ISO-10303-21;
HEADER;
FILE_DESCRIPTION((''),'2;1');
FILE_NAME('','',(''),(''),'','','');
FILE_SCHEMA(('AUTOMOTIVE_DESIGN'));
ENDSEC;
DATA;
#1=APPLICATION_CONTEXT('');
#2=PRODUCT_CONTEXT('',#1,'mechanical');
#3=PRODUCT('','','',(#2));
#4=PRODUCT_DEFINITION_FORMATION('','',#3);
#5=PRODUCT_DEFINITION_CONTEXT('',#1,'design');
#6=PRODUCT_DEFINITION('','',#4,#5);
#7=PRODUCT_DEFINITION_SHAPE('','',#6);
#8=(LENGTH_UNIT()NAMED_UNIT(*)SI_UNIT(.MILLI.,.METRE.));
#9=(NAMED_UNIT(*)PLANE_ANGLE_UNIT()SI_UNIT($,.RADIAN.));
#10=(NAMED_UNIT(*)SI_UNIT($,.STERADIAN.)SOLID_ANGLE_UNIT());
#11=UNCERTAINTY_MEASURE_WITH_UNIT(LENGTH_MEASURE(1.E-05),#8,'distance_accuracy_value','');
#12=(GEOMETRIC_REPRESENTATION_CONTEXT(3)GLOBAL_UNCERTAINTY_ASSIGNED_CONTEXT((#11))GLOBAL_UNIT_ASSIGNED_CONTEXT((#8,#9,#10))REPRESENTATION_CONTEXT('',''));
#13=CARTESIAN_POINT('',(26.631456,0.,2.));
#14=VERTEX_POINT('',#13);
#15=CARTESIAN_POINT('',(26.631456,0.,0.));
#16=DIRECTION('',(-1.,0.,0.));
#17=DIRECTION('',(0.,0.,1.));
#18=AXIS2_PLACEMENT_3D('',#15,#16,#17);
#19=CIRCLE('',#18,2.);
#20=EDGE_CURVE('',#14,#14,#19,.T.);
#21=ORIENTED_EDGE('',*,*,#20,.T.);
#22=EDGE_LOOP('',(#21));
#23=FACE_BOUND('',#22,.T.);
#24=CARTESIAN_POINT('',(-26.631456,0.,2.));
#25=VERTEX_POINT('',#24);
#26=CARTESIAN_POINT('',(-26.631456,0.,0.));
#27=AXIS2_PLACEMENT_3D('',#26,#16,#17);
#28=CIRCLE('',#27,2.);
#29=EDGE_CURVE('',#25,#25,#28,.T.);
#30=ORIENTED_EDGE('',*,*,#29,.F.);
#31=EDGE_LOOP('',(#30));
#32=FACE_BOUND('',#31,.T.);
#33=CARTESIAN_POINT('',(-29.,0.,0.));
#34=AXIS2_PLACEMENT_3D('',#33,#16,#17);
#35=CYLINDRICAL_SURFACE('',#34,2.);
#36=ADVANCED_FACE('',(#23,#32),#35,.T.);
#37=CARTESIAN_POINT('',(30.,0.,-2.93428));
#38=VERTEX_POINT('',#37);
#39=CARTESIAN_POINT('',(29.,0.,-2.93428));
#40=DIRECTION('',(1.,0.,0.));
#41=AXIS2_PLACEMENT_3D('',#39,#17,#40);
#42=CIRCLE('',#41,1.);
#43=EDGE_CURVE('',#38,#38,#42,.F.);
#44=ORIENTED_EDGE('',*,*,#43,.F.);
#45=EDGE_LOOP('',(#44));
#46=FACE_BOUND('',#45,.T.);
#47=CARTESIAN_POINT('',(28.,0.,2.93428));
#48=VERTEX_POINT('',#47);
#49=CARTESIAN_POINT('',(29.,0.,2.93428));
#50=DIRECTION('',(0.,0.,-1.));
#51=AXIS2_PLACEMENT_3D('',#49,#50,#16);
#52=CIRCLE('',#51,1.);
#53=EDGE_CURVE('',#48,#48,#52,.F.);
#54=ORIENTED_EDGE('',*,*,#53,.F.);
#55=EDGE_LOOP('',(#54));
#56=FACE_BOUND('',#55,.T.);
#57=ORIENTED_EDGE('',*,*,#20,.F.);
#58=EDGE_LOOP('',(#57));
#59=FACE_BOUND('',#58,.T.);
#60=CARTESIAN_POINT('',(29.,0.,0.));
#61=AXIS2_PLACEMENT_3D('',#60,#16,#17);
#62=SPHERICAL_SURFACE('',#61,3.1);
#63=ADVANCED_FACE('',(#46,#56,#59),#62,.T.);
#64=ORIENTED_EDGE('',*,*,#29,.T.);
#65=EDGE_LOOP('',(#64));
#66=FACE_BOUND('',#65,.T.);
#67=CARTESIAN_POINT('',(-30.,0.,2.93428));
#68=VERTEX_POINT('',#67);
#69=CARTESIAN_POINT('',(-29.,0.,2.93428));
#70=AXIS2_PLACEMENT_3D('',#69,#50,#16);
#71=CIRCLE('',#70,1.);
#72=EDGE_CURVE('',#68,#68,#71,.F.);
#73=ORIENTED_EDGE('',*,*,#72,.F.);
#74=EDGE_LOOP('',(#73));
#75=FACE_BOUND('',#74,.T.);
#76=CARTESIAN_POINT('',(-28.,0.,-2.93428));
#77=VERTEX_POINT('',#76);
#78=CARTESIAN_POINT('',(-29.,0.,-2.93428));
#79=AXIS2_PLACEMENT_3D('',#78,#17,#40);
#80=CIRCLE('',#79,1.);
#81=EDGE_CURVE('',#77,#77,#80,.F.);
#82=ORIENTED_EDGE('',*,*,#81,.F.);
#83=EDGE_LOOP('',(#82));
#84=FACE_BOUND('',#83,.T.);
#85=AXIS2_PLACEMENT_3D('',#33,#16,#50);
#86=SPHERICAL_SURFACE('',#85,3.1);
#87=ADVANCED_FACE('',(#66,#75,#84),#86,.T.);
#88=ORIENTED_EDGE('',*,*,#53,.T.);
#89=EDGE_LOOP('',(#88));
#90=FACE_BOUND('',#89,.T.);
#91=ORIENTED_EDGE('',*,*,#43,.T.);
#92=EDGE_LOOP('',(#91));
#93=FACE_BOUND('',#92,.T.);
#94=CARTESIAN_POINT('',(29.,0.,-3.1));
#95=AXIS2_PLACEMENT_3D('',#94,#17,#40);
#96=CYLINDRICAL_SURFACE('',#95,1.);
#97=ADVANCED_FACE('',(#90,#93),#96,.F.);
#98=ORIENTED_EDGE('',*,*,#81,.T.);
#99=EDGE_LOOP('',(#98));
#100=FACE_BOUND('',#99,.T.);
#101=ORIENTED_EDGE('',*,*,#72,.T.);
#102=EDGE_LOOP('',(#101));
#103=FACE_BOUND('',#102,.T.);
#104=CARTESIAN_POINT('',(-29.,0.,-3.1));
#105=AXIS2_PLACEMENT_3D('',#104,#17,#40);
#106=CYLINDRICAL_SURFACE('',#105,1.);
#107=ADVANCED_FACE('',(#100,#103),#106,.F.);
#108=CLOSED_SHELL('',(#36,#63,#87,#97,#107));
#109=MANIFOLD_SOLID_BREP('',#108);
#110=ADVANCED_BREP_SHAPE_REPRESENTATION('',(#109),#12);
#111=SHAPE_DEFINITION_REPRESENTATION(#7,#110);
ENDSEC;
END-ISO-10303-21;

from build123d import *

# Parameters (mm, degrees)
SKETCH2_R               = 1
CUT_EXTRUDE1_DEPTH      = 4.1
CUT_EXTRUDE1_DEPTH_BACK = 4.1


with BuildPart() as part:
    # Sketch1 one side → Revolve2 (revolve)
    with BuildSketch(Plane(origin=(0, 0, 0), x_dir=(1, 0, 0), z_dir=(0, 1, 0))):
        with BuildLine():
            ThreePointArc((32.1, 0), (30.06478027, 2.911398801), (26.631456144, 2))
            Line((26.631456144, 2), (-26.631456144, 2))
            ThreePointArc((-26.631456144, 2), (-30.06478027, 2.911398801), (-32.1, 0))
            Line((-32.1, 0), (32.1, 0))
        make_face()
    revolve(axis=Axis((-29, 0, 0), (1, 0, 0)))

    # Sketch2 → Cut-Extrude1 (cut, two sides)
    with BuildSketch(Plane.XY) as cut_extrude1_sk:
        with Locations((29, 0)):
            Circle(SKETCH2_R)
        with Locations((-29, 0)):
            Circle(SKETCH2_R)
    extrude(amount=CUT_EXTRUDE1_DEPTH, mode=Mode.SUBTRACT)
    extrude(cut_extrude1_sk.sketch, amount=-CUT_EXTRUDE1_DEPTH_BACK, mode=Mode.SUBTRACT)


solid = part.part
